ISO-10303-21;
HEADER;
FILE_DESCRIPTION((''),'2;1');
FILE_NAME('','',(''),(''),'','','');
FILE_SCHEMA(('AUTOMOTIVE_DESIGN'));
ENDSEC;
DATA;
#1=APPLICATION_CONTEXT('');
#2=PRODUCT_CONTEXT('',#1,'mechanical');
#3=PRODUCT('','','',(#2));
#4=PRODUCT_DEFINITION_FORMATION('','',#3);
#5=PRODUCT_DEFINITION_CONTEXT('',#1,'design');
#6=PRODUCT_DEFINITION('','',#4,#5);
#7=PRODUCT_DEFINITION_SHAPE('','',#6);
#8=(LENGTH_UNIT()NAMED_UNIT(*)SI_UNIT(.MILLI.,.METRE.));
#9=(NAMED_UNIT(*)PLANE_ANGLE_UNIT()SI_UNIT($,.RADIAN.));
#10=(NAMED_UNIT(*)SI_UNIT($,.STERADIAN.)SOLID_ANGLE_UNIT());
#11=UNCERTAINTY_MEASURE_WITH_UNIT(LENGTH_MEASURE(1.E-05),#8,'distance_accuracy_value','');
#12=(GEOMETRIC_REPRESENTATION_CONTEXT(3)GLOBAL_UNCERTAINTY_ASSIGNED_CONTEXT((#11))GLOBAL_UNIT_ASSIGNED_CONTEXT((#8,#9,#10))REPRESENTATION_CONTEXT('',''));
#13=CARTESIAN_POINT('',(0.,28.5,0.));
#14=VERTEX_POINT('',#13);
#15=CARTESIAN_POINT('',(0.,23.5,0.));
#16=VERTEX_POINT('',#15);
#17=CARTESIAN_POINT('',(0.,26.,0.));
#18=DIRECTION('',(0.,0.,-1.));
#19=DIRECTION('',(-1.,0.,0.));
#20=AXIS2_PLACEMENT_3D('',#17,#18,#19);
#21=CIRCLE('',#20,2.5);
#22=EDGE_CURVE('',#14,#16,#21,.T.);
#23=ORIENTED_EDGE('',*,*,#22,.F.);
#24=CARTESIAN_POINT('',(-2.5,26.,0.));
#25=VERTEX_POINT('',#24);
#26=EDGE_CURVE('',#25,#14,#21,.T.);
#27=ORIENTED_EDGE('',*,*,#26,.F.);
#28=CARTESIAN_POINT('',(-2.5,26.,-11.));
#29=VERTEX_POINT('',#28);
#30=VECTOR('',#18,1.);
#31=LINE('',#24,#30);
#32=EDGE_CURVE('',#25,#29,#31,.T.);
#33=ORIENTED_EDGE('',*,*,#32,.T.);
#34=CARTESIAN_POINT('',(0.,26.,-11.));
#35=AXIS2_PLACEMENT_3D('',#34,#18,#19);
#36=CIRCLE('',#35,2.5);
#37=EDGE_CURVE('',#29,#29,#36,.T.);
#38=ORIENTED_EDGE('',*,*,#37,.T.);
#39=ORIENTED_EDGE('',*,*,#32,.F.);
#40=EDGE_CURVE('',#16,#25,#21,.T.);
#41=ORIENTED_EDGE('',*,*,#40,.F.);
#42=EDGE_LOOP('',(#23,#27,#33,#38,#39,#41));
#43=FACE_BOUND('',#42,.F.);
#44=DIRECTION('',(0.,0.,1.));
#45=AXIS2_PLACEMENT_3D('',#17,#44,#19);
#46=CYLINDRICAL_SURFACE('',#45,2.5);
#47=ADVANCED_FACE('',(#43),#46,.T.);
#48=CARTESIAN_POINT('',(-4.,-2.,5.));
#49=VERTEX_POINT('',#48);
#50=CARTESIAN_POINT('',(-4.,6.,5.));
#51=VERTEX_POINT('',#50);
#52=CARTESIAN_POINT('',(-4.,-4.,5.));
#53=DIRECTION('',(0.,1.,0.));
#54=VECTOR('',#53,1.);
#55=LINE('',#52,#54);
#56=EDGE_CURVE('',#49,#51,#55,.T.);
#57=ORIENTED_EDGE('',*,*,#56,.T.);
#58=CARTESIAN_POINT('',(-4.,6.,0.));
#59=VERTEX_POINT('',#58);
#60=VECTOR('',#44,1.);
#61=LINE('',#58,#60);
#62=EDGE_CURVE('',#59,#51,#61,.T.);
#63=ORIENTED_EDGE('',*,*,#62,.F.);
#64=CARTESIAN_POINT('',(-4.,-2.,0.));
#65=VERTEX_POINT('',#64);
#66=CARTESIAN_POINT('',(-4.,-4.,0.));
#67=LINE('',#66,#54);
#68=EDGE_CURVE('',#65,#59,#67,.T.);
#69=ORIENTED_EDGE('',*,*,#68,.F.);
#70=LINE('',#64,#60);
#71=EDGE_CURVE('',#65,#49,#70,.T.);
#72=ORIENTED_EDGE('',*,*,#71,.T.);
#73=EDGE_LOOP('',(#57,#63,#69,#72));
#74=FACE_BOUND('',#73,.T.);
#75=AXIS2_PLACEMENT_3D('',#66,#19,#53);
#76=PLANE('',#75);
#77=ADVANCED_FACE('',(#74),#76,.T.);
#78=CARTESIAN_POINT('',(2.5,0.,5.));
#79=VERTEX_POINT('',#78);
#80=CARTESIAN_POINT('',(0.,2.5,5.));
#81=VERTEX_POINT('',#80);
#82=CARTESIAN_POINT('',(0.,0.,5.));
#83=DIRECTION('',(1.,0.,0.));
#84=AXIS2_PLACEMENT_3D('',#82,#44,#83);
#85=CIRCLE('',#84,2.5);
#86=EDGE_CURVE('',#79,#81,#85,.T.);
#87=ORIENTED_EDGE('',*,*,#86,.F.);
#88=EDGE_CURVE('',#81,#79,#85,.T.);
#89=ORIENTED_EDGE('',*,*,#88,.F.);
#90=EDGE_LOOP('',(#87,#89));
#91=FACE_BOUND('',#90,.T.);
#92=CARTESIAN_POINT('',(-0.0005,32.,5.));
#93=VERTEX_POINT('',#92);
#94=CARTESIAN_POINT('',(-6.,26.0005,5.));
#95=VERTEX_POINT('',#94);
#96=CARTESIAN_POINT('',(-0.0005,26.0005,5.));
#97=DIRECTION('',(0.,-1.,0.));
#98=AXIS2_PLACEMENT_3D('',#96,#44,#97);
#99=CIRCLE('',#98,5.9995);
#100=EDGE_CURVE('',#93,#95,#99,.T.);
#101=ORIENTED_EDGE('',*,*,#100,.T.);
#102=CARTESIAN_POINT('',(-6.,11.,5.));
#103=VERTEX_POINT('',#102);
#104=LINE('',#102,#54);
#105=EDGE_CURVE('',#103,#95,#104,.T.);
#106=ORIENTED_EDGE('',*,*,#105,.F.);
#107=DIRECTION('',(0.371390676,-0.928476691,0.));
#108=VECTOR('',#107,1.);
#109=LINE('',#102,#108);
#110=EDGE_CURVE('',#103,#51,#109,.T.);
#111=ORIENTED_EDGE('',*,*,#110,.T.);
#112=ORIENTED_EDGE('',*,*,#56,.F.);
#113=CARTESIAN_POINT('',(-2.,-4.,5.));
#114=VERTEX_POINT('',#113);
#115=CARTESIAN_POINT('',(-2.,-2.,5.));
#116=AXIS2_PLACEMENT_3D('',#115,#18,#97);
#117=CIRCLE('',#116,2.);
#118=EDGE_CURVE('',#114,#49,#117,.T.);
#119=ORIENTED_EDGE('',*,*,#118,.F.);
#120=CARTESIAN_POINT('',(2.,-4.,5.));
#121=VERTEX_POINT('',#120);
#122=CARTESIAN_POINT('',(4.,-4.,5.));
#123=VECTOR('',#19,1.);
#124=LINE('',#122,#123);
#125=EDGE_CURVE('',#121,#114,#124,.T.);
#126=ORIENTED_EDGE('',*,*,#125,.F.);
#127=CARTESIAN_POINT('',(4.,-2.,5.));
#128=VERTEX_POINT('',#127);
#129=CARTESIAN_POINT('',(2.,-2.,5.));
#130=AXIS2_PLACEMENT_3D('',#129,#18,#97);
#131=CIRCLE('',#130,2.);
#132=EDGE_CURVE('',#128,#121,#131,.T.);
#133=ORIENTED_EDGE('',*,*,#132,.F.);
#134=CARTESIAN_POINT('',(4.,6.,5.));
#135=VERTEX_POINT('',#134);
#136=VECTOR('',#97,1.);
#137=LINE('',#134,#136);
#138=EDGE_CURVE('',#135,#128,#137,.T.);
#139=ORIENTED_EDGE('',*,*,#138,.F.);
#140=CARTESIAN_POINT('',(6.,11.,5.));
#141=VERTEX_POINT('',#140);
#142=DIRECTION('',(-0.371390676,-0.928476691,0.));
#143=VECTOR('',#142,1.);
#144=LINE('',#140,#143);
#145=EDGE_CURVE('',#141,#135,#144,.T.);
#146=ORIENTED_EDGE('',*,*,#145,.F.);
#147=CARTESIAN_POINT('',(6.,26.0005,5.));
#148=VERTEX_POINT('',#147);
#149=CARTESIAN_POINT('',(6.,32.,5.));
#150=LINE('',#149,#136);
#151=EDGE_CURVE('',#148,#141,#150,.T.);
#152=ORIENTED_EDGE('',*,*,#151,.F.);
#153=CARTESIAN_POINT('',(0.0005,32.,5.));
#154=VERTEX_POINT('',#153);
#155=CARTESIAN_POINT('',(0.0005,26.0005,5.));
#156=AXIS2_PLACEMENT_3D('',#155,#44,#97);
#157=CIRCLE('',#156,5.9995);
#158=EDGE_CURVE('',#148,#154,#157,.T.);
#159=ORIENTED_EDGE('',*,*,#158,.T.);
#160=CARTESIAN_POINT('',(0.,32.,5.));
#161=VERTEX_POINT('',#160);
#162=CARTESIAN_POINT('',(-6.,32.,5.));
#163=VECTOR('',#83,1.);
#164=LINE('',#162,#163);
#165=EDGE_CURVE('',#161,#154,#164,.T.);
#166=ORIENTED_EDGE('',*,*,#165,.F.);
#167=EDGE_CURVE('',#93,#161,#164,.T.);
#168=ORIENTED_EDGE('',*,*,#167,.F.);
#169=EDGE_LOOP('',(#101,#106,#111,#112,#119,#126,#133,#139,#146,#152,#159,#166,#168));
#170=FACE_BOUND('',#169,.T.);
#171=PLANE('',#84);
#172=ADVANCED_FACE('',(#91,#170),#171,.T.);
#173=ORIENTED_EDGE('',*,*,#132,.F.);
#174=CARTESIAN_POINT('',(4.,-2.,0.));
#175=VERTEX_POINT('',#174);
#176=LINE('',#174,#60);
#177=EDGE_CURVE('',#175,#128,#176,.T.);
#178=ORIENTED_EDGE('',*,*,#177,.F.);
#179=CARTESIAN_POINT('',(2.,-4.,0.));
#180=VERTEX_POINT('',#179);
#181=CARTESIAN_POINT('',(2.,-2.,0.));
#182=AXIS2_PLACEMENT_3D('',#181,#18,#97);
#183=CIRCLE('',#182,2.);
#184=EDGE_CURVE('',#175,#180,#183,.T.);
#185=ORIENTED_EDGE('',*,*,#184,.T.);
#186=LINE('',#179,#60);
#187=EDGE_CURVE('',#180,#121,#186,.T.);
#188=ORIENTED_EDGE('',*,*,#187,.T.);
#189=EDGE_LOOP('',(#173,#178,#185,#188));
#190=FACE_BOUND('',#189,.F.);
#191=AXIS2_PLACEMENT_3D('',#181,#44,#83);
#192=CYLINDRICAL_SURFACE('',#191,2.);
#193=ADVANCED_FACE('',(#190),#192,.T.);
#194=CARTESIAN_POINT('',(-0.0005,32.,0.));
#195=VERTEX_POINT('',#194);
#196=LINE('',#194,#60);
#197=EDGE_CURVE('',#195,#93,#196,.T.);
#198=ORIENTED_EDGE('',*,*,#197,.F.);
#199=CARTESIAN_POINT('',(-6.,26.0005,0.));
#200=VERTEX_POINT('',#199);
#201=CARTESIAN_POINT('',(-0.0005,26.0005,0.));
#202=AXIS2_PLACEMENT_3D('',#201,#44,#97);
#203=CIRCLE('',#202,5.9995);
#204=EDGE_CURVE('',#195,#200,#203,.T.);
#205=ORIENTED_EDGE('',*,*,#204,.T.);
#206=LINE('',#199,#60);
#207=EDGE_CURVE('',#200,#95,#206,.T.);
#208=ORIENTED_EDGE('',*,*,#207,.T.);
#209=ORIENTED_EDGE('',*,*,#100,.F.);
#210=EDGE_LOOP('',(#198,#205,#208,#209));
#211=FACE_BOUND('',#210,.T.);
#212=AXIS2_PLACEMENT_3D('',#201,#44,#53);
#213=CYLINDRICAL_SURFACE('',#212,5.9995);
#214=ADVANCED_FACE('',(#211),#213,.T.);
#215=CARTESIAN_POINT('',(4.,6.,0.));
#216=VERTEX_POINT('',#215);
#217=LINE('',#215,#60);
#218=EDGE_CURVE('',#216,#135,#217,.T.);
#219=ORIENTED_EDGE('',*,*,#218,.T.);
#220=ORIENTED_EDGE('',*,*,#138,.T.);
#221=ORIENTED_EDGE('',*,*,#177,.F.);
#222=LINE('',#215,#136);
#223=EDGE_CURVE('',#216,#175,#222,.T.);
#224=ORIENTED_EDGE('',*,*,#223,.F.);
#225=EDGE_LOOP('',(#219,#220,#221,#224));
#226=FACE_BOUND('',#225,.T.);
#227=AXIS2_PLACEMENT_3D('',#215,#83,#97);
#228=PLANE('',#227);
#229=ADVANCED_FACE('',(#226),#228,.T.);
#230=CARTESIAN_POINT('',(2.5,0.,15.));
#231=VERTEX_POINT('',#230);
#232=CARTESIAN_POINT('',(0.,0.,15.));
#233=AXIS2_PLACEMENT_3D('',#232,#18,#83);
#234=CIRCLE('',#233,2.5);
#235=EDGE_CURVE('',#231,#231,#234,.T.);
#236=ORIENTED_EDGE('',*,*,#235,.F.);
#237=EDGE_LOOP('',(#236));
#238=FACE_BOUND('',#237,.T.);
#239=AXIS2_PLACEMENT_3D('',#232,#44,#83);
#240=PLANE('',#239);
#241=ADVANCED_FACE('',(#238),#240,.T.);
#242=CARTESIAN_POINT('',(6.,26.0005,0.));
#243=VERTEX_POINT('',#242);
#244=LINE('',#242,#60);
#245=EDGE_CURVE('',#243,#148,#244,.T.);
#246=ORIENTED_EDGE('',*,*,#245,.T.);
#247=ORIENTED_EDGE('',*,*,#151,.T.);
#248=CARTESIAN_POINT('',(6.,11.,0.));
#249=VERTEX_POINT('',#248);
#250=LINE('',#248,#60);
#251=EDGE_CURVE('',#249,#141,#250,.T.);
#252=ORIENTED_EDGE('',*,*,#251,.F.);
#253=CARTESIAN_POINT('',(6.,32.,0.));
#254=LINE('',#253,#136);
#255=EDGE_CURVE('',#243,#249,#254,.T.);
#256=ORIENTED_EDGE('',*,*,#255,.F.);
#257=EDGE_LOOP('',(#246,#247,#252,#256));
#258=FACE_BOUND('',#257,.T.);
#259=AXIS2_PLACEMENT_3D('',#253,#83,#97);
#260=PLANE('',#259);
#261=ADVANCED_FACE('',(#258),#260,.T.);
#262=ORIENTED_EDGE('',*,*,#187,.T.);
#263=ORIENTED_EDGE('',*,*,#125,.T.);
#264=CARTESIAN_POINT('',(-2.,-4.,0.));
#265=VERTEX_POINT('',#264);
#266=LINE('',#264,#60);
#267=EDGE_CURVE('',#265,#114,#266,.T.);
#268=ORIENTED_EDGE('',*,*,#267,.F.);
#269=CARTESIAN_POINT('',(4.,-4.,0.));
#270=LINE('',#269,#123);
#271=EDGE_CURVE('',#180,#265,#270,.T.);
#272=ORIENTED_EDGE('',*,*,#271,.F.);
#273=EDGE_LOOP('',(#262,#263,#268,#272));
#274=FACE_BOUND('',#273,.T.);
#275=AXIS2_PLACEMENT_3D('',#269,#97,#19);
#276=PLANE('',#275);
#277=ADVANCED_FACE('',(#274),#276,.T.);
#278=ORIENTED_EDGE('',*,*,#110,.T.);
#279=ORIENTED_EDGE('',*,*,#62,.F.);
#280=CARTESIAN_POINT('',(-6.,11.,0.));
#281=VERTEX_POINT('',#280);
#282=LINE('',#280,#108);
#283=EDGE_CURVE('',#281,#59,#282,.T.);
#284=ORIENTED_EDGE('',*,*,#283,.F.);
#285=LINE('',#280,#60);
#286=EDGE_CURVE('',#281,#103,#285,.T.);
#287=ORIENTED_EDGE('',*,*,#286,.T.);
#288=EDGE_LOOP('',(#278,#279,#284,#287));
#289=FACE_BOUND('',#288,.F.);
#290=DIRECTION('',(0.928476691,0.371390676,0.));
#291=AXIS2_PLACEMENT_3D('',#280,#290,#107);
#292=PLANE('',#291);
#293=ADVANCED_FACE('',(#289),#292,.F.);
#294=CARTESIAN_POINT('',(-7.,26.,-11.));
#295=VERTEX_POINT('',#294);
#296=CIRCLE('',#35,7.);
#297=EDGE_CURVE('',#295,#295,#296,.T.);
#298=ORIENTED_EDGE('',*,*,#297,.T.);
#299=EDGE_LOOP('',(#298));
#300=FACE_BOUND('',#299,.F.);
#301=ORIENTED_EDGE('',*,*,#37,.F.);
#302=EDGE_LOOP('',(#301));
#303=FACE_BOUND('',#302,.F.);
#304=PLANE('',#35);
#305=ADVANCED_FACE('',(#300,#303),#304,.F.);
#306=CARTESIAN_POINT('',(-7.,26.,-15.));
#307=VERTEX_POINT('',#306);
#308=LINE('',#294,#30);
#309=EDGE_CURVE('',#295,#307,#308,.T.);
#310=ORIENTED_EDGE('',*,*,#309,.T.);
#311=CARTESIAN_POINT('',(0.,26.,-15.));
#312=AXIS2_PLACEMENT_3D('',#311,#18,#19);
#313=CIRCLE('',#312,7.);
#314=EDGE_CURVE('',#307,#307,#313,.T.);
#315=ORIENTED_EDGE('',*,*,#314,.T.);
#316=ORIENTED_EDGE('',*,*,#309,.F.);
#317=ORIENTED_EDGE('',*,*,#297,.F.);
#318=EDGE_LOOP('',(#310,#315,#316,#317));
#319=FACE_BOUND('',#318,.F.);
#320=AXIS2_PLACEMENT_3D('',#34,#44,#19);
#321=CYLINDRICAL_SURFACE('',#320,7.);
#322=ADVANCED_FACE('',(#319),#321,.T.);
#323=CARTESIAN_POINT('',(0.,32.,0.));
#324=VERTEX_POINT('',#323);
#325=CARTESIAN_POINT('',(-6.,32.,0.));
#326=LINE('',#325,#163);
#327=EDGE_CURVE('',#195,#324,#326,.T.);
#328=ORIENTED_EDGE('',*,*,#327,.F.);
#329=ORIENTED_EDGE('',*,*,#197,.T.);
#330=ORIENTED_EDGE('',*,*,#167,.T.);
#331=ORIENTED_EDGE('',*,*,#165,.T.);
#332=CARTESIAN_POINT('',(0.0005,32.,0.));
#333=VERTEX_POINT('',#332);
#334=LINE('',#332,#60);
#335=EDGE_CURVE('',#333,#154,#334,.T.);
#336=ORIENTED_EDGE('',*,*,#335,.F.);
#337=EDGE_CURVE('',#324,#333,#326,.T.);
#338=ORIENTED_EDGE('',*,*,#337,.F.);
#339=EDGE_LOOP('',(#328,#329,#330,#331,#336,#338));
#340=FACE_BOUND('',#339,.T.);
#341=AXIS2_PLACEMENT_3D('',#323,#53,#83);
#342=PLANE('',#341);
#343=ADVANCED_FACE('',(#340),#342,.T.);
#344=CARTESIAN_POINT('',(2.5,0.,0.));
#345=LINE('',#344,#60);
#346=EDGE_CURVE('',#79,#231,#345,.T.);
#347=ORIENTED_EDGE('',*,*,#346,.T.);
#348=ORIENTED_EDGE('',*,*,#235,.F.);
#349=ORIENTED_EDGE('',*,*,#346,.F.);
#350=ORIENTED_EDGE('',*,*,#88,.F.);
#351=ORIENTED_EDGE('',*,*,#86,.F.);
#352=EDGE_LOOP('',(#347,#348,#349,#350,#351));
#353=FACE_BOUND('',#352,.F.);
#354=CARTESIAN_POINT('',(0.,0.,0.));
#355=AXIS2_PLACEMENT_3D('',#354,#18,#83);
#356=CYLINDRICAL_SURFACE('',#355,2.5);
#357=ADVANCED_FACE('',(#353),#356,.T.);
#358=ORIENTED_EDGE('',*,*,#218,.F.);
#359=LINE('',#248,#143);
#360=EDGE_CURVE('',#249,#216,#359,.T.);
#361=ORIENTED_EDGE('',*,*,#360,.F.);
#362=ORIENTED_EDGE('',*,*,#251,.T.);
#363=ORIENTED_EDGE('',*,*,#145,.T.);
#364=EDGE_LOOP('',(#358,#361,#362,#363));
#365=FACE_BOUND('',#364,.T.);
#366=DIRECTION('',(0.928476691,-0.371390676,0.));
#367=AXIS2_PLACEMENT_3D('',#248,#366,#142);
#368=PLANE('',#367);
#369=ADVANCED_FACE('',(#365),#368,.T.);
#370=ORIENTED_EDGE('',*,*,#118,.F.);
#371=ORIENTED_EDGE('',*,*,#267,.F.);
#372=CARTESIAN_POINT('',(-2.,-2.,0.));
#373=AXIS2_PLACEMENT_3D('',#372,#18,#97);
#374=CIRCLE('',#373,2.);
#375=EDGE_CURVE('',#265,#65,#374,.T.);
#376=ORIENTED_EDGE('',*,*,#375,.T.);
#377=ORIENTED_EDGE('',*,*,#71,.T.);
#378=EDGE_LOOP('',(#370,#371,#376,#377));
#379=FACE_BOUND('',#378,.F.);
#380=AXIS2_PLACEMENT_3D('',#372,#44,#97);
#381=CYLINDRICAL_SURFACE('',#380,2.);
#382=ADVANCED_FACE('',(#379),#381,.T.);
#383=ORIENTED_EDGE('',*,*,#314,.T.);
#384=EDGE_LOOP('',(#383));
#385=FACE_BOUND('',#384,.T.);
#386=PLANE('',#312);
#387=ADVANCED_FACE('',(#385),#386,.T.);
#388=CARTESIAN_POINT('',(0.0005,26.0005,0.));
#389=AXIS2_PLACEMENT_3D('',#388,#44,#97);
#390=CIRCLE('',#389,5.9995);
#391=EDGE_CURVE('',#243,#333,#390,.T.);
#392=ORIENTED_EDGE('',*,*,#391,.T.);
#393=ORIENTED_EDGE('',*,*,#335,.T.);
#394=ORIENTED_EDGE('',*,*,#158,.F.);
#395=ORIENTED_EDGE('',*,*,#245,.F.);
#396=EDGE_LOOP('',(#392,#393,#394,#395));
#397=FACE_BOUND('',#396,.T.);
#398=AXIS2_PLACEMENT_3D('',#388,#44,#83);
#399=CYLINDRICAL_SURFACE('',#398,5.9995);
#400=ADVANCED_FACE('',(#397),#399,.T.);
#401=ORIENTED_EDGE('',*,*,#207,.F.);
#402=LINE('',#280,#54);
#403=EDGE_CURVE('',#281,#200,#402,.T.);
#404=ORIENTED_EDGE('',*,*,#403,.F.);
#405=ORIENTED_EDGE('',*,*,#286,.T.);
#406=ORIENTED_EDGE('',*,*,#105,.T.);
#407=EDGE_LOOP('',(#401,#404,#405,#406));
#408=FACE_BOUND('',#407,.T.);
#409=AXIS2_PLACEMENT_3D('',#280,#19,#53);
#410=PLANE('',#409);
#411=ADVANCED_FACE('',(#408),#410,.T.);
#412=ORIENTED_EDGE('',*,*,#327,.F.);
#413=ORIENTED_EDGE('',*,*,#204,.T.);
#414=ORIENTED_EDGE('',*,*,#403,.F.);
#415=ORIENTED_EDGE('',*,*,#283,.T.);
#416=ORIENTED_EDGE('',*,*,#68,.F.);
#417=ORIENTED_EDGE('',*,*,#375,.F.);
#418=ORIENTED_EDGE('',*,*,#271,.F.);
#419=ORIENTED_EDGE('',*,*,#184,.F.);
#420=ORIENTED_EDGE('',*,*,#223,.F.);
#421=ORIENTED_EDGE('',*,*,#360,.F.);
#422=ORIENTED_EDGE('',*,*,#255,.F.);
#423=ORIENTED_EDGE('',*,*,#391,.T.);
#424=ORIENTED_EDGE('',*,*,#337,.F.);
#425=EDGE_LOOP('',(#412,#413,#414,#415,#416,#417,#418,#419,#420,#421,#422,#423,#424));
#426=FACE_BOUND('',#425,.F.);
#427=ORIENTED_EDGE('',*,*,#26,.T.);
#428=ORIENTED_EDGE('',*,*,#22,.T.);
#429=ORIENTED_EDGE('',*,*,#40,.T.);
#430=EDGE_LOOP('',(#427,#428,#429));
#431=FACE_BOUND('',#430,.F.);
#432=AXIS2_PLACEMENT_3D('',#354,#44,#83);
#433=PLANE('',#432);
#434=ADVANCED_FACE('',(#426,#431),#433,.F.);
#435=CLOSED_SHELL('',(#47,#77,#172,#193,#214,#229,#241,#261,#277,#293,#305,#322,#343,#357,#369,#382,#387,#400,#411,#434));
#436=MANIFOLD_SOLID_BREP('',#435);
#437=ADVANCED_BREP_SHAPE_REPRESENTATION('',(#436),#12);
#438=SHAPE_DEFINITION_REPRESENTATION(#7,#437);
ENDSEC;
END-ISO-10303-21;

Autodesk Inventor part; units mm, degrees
ref_plane "YZ Plane" through (0, 0, 0) normal (1, 0, 0) x (0, 1, 0)
ref_plane "XZ Plane" through (0, 0, 0) normal (0, 1, 0) x (-1, 0, 0)
ref_plane "XY Plane" through (0, 0, 0) normal (0, 0, 1) x (1, 0, 0)
sketch "스케치1" plane through (0, 0, 0) normal (0, 0, 1) x (1, 0, 0)
  circle A0 centre (0, 0) radius 2.5
  line L0 (0, 0) -> (0, 40)
  line L1 (4, 6) -> (4, -4)
  line L2 (4, -4) -> (-4, -4)
  line L3 (-4, -4) -> (-4, 6)
  line L4 (-6, 32) -> (6, 32)
  line L5 (6, 32) -> (6, 11)
  line L6 (-6, 11) -> (-6, 32)
  line L7 (-6, 11) -> (-4, 6)
  line L8 (6, 11) -> (4, 6)
  dimension "d0" = 5
  dimension "d1" = 40
  dimension "d2" = 8
  dimension "d3" = 4
  dimension "d4" = 4
  dimension "d5" = 36
  dimension "d8" = 12
  dimension "d9" = 6
  dimension "d10" = 10
  dimension "d11" = 5
  dimension "d12" = 5
  dimension "d13" = 10
extrude "돌출1" add sketch "스케치1" along normal blind 5
extrude "돌출2" add sketch "스케치1" along normal blind 15 contours A0
sketch "스케치2" plane through (0, 0, 0) normal (0, 0, -1) x (-1, 0, 0)
  circle A0 centre (0, 26) radius 2.5
  line L0 (-6, 11) -> (-6, 32) projected
  line L1 (4, -4) -> (-4, -4) projected
  point P0 (0, 0)
  dimension "d18" = 5
  dimension "d19" = 6
  dimension "d20" = 30
extrude "돌출3" add sketch "스케치2" along normal blind 11
sketch "스케치3" plane through (0, 26, -11) normal (0, 0, -1) x (-1, 0, 0)
  circle A0 centre (0, 0) radius 7
  point P0 (0, -26)
  dimension "d23" = 14
extrude "돌출4" add sketch "스케치3" along normal blind 4
fillet "모깎기1" radius 2 2 edges at (-4, -4, 2.5) (4, -4, 2.5)
fillet "모깎기2" radius 6 2 edges at (6, 32, 2.5) (-6, 32, 2.5)
properties part number "2번부품"
